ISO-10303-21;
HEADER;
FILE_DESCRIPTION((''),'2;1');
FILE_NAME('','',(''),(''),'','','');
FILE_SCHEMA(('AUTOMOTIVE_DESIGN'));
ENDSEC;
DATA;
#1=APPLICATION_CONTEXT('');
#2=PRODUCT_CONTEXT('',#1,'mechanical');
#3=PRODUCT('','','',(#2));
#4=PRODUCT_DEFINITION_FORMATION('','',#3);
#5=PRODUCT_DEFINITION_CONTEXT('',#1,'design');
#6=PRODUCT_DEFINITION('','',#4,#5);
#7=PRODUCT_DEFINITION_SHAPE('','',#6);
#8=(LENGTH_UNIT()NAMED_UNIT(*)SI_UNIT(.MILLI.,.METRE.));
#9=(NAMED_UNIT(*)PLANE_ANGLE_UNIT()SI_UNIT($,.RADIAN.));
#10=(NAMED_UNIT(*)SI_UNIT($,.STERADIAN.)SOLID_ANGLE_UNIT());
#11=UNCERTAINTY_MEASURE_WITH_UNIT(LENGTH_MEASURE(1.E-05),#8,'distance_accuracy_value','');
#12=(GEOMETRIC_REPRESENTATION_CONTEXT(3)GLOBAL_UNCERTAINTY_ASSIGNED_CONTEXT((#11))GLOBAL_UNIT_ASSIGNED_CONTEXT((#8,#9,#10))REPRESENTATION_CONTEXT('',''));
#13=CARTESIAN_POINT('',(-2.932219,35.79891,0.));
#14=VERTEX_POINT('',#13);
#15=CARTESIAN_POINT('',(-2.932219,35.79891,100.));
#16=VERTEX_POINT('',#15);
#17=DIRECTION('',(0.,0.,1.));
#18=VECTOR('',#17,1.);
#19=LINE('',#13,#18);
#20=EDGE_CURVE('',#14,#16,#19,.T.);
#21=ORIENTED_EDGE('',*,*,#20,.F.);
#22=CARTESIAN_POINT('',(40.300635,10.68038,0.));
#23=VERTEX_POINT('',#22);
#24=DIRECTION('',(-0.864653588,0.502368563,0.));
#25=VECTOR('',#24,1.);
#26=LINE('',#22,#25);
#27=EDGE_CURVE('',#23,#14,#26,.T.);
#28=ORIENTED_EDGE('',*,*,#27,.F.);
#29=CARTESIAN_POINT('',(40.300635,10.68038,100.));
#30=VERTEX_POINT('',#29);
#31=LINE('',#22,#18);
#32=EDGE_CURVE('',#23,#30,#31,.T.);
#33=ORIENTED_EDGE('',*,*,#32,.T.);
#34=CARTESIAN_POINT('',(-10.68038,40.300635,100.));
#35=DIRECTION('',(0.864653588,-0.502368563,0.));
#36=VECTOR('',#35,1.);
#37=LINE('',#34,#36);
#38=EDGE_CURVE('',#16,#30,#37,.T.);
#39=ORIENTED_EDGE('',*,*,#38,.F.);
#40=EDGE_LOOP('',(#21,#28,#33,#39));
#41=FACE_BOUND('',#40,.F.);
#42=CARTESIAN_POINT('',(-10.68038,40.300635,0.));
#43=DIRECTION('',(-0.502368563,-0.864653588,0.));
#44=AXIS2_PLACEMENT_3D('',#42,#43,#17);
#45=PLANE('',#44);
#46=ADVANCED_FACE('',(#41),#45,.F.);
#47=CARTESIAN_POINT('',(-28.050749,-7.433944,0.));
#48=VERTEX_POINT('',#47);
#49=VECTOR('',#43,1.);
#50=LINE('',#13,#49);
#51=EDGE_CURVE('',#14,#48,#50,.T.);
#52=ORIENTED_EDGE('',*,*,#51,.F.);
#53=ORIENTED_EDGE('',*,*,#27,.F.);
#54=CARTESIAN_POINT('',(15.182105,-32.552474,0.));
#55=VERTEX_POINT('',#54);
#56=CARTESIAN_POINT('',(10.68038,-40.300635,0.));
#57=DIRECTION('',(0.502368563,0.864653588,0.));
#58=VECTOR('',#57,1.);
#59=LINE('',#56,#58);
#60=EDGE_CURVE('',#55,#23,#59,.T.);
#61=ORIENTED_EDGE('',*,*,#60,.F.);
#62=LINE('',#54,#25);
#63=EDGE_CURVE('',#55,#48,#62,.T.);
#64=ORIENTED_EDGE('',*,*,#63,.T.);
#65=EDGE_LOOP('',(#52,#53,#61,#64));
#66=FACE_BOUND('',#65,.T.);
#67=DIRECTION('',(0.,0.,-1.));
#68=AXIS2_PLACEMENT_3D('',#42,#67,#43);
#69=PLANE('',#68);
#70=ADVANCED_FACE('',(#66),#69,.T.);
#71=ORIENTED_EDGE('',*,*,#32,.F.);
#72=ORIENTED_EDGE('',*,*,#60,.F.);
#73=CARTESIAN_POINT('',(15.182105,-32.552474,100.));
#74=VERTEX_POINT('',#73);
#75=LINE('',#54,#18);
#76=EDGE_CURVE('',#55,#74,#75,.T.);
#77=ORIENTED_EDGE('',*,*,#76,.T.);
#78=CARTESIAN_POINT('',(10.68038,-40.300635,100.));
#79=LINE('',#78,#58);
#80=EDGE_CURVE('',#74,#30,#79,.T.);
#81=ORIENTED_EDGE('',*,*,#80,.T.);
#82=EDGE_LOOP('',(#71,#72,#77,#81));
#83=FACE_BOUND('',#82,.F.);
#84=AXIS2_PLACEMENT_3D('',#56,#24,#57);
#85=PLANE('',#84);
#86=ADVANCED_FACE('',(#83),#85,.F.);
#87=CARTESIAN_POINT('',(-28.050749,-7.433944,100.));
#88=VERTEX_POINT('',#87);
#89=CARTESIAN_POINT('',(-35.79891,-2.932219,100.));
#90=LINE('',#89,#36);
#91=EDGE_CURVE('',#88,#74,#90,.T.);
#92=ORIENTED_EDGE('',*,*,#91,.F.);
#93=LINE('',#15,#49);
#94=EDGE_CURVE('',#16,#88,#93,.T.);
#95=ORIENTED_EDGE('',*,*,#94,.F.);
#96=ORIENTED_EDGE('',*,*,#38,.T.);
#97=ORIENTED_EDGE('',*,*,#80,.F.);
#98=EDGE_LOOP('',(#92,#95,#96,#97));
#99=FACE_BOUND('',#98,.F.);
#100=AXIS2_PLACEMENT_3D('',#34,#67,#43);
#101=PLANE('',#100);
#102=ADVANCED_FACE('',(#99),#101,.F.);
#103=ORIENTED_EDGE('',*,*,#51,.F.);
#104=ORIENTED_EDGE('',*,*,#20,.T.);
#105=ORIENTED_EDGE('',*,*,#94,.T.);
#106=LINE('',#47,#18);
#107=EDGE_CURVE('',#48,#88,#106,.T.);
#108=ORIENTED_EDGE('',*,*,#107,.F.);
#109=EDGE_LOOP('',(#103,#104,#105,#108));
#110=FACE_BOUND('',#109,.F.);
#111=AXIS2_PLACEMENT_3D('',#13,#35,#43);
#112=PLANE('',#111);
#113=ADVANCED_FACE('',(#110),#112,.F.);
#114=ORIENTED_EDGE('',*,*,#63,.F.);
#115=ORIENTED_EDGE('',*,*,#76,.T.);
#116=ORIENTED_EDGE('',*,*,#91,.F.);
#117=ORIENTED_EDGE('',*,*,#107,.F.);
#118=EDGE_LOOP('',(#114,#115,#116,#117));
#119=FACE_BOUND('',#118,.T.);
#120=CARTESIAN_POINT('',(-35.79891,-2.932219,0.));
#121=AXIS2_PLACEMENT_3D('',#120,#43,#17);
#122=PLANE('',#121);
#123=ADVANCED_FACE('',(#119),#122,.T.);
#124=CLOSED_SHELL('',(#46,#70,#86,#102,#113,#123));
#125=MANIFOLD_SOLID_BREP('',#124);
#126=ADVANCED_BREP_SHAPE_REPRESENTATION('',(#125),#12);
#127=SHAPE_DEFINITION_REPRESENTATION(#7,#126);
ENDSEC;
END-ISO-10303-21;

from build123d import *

# Parameters (mm, degrees)
F1_DEPTH = 100
F2_DEPTH = 8.961
F3_DEPTH = 8.961
F4_DEPTH = 8.961


with BuildPart() as f1:
    # F0 (on Top) → F1 (new body)
    with BuildSketch(Plane.XY):
        Polygon((-10.6803802773, 40.3006346896), (-40.3006346896, -10.6803802773), (10.6803802773, -40.3006346896), (40.3006346896, 10.6803802773), align=None)
    extrude(amount=F1_DEPTH)

    # F2 (add): a face of the model
    f2_faces = [f1.faces().sort_by_distance(p)[0] for p in [
        (-25.4905074835, 14.8101272061, 50),
    ]]
    extrude(f2_faces, amount=-F2_DEPTH)

    # F3 (cut): a face of the model
    f3_faces = [f1.faces().sort_by_distance(p)[0] for p in [
        (-25.4905074835, 14.8101272061, 50),
    ]]
    extrude(f3_faces, amount=-F3_DEPTH, mode=Mode.SUBTRACT)

    # F4 (cut): a face of the model
    f4_faces = [f1.faces().sort_by_distance(p)[0] for p in [
        (-10.9360468067, -27.7413698313, 50),
    ]]
    extrude(f4_faces, amount=-F4_DEPTH, mode=Mode.SUBTRACT)


solid = f1.part
